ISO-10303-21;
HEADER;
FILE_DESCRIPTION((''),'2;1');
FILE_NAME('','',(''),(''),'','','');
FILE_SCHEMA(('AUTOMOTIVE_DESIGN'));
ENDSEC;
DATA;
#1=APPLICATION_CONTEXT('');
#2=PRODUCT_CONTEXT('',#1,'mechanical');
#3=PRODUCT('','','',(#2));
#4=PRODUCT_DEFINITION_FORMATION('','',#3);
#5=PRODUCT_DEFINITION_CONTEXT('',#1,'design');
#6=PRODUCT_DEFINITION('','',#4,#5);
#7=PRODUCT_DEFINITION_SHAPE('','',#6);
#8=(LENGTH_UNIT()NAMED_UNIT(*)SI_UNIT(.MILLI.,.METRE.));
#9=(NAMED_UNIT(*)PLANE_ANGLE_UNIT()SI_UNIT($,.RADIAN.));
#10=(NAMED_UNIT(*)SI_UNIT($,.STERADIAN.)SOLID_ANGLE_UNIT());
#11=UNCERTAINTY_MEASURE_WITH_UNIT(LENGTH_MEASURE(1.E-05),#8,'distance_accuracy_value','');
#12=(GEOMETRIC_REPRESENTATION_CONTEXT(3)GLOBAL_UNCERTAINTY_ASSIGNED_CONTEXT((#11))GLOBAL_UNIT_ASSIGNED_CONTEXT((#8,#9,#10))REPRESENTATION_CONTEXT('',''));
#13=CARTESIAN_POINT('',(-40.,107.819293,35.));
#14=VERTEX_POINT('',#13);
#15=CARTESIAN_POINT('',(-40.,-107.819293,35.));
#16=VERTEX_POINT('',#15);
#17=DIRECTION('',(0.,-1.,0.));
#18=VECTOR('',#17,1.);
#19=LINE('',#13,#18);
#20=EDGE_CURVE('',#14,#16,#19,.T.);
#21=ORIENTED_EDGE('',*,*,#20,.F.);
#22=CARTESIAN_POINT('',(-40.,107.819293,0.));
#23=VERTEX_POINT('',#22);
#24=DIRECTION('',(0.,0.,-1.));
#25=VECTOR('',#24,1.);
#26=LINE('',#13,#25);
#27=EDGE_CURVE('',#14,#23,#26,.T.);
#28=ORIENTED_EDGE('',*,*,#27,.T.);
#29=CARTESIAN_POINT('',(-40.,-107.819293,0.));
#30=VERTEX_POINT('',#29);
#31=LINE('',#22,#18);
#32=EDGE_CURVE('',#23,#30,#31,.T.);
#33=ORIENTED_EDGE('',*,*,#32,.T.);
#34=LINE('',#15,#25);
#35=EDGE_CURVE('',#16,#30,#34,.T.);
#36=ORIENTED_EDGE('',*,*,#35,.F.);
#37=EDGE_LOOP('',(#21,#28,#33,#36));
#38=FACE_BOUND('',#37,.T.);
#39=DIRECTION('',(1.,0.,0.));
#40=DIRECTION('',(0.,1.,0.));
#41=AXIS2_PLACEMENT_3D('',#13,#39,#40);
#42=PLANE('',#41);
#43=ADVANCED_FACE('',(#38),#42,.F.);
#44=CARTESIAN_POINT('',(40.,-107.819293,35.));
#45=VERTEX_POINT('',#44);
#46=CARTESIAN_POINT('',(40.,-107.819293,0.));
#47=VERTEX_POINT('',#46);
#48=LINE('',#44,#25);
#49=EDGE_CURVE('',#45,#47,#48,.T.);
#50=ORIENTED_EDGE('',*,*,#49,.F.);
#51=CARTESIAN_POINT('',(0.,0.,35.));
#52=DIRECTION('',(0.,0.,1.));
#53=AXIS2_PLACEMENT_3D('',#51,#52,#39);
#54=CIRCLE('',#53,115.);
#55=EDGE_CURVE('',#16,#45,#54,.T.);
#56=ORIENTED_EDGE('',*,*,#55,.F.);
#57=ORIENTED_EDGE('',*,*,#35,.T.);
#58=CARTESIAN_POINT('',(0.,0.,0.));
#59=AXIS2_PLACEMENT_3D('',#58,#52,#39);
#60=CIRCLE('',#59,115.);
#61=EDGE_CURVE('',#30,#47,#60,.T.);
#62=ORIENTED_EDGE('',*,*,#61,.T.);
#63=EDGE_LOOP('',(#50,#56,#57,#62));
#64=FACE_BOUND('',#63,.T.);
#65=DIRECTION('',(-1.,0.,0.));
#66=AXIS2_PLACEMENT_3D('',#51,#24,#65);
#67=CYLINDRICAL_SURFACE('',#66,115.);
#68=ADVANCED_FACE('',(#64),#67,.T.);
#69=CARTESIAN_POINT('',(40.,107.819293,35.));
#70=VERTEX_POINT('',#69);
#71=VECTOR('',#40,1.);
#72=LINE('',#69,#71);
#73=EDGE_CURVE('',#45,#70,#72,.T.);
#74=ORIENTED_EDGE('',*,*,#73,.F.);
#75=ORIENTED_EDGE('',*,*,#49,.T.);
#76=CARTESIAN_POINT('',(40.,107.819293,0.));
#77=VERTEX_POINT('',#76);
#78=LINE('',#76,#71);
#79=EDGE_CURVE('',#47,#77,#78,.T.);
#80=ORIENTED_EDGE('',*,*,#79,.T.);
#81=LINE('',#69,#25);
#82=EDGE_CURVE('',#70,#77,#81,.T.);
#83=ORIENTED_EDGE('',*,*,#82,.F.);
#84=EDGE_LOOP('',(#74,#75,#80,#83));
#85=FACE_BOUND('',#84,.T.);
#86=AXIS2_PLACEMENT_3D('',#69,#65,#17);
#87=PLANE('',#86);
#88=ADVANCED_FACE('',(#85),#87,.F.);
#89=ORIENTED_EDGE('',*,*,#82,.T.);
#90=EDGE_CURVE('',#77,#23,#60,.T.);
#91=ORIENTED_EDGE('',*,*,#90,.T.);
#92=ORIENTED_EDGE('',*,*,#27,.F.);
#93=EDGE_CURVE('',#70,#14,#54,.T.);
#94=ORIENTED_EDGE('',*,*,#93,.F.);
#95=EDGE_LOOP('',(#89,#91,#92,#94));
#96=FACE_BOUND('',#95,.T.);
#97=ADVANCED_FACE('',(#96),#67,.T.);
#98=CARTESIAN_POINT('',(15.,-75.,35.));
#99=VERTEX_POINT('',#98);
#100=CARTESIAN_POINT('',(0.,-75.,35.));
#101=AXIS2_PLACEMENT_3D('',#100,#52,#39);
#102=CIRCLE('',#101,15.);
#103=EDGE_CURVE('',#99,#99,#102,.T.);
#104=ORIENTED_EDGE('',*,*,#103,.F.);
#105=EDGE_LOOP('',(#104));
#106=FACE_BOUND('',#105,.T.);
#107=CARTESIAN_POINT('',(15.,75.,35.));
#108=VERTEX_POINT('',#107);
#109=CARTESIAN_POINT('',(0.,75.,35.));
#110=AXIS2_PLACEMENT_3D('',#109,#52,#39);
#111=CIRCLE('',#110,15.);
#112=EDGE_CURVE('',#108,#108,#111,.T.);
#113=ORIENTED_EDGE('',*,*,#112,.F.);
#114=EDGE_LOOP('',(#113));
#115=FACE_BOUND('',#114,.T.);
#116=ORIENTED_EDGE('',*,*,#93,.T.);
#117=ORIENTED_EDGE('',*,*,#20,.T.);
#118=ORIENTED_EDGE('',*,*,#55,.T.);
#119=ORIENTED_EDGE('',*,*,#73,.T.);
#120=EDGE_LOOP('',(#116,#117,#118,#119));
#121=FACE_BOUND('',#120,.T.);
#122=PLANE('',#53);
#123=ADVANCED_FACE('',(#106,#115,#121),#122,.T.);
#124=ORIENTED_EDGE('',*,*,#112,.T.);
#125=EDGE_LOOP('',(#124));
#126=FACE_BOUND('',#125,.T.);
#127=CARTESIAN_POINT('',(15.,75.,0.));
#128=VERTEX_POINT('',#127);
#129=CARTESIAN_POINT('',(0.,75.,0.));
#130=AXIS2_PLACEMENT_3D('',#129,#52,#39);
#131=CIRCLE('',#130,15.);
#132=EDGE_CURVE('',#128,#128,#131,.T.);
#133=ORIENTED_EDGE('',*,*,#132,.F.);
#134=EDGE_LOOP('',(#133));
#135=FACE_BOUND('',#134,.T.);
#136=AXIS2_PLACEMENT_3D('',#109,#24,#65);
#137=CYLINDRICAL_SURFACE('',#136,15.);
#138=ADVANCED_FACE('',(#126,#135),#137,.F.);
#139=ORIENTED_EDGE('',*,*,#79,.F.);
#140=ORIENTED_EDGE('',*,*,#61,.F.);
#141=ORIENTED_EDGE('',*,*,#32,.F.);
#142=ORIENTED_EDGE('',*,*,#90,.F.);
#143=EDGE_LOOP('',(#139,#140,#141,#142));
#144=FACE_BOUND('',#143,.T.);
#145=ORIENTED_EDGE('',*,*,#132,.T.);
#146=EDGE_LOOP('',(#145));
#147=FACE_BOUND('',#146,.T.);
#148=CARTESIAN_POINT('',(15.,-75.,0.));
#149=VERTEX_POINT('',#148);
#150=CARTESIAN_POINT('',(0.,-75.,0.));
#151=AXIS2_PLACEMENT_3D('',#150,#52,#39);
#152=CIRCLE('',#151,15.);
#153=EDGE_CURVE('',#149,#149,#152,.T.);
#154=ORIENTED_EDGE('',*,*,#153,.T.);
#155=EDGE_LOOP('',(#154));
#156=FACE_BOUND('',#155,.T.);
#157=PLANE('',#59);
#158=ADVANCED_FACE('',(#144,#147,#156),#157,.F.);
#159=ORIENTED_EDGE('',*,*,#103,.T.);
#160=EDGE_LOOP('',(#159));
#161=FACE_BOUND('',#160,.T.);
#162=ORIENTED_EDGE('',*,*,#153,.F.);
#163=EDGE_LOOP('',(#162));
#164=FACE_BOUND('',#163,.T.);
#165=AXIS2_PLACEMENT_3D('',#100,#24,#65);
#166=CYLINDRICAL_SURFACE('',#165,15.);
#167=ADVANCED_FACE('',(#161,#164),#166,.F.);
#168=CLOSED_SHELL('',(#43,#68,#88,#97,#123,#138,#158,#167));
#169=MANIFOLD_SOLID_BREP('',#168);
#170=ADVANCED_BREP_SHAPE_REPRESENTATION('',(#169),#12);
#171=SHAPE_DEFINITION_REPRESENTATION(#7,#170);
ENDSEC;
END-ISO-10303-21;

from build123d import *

# Parameters (mm, degrees)
SKETCH1_R           = 15
BOSS_EXTRUDE1_DEPTH = 35


with BuildPart() as part:
    # Sketch1 → Boss-Extrude1 (new body)
    with BuildSketch(Plane.XY):
        with BuildLine():
            Line((-40, 107.819293264), (-40, -107.819293264))
            ThreePointArc((-40, -107.819293264), (0, -115), (40, -107.819293264))
            Line((40, -107.819293264), (40, 107.819293264))
            ThreePointArc((40, 107.819293264), (0, 115), (-40, 107.819293264))
        make_face()
        with Locations((0, -75)):
            Circle(SKETCH1_R, mode=Mode.SUBTRACT)
        with Locations((0, 75)):
            Circle(SKETCH1_R, mode=Mode.SUBTRACT)
    extrude(amount=BOSS_EXTRUDE1_DEPTH)


solid = part.part
